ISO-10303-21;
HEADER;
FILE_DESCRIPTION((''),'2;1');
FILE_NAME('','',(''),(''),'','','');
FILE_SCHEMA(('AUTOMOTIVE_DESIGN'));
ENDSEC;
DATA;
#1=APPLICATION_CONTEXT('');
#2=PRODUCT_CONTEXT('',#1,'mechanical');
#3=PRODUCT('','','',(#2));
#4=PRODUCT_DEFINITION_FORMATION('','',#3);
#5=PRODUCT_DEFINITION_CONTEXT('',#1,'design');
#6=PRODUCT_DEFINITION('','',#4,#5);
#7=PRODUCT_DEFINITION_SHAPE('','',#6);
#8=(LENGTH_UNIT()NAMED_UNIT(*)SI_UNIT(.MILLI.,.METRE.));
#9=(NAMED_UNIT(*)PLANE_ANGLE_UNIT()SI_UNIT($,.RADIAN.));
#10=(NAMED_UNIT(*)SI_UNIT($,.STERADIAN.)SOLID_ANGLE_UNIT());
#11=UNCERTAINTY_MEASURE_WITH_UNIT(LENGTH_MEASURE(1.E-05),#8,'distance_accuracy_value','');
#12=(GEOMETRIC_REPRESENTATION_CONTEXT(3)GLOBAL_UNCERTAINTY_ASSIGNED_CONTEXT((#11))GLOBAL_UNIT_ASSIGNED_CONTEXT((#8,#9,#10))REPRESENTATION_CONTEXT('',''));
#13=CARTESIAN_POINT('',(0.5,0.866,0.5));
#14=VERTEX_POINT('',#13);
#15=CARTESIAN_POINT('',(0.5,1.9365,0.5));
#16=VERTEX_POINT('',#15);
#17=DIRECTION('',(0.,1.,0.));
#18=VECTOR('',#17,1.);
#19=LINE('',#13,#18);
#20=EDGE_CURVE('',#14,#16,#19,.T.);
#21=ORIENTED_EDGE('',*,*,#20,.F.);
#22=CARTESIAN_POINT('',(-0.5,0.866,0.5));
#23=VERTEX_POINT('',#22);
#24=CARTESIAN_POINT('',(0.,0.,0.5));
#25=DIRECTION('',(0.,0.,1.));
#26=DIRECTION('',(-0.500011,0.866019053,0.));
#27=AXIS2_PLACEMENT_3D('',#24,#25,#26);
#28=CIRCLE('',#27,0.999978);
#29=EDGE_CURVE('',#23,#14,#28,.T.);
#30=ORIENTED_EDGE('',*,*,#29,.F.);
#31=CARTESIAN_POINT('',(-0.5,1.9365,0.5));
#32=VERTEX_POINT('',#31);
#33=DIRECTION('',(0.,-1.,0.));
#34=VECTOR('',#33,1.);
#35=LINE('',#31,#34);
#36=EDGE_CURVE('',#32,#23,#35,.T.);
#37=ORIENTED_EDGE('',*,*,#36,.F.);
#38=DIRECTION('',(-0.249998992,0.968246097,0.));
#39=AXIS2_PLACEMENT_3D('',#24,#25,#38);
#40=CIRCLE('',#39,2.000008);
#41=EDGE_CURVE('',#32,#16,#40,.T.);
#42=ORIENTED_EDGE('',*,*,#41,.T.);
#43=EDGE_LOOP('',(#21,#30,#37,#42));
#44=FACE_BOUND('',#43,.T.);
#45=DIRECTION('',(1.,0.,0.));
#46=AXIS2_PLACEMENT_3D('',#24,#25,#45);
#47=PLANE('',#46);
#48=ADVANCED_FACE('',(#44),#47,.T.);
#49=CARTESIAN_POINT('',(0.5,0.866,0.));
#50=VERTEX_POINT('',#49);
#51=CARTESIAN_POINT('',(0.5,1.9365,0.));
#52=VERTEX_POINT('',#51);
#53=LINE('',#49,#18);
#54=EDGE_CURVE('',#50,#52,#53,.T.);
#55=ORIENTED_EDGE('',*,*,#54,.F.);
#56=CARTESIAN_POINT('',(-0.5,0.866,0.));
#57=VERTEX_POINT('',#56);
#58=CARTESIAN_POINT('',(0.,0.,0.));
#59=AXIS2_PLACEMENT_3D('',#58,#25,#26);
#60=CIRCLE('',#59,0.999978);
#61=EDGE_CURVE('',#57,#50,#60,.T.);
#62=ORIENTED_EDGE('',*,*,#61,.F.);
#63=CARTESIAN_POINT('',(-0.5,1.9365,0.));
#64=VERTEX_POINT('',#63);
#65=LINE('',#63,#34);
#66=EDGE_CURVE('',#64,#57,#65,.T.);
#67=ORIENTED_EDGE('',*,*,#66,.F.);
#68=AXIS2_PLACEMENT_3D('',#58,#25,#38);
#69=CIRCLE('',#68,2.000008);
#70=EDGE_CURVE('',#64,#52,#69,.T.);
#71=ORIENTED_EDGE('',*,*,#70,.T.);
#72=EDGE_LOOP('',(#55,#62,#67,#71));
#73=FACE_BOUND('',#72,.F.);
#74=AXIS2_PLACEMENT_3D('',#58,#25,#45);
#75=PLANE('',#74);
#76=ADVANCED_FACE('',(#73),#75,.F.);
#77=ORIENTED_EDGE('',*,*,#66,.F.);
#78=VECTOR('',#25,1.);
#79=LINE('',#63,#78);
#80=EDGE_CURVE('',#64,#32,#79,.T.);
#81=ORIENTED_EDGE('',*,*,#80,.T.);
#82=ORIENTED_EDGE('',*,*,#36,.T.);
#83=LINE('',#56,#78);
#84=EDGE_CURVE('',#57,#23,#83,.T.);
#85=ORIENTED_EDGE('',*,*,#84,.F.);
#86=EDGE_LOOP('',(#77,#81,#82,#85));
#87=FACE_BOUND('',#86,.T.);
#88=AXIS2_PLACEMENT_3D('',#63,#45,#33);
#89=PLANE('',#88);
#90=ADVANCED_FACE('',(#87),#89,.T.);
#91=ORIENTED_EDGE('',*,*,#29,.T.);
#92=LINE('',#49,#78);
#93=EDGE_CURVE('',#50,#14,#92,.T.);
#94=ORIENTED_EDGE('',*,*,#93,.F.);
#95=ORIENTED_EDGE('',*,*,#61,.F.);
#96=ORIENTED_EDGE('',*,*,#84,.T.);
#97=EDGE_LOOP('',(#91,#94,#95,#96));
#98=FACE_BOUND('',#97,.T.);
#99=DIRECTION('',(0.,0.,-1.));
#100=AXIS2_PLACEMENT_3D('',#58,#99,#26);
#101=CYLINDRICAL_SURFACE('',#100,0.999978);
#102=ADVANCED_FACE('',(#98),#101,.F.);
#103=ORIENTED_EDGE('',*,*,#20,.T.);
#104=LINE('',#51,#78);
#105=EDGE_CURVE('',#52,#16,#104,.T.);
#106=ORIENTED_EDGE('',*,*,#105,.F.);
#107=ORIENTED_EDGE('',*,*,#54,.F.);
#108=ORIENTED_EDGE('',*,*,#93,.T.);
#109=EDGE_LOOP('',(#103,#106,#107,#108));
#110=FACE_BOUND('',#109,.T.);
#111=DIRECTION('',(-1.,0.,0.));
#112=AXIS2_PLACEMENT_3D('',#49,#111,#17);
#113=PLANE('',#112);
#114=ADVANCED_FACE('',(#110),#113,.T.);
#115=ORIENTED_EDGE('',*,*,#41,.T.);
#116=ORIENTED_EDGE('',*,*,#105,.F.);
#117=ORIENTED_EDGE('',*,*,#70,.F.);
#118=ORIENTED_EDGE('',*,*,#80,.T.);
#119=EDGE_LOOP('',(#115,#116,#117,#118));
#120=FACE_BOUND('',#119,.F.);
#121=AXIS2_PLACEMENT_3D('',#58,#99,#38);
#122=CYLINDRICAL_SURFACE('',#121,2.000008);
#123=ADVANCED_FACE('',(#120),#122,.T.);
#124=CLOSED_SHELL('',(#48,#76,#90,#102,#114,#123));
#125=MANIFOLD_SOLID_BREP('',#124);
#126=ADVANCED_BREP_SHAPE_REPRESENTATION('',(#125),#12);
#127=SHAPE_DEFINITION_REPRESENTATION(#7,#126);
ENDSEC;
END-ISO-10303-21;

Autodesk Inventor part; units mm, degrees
ref_plane "YZ Plane" through (0, 0, 0) normal (1, 0, 0) x (0, 1, 0)
ref_plane "XZ Plane" through (0, 0, 0) normal (0, 1, 0) x (-1, 0, 0)
ref_plane "XY Plane" through (0, 0, 0) normal (0, 0, 1) x (1, 0, 0)
sketch "Náčrt1" plane through (0, 0, 0) normal (0, 0, 1) x (1, 0, 0)
  arc A0 (-0.5, 1.9365) -> (0.5, 1.9365) centre (0, 0) ccw
  arc A1 (-0.5, 0.866) -> (0.5, 0.866) centre (0, 0) ccw
  line L0 (0.5, 0.866) -> (0.5, 1.9365)
  line L1 (-0.5, 1.9365) -> (-0.5, 0.866)
  dimension "d0" = 4
  dimension "d1" = 2
extrude "Vysunutí1" add sketch "Náčrt1" along normal blind 0.5
properties part number "pojistny_krouzek"
